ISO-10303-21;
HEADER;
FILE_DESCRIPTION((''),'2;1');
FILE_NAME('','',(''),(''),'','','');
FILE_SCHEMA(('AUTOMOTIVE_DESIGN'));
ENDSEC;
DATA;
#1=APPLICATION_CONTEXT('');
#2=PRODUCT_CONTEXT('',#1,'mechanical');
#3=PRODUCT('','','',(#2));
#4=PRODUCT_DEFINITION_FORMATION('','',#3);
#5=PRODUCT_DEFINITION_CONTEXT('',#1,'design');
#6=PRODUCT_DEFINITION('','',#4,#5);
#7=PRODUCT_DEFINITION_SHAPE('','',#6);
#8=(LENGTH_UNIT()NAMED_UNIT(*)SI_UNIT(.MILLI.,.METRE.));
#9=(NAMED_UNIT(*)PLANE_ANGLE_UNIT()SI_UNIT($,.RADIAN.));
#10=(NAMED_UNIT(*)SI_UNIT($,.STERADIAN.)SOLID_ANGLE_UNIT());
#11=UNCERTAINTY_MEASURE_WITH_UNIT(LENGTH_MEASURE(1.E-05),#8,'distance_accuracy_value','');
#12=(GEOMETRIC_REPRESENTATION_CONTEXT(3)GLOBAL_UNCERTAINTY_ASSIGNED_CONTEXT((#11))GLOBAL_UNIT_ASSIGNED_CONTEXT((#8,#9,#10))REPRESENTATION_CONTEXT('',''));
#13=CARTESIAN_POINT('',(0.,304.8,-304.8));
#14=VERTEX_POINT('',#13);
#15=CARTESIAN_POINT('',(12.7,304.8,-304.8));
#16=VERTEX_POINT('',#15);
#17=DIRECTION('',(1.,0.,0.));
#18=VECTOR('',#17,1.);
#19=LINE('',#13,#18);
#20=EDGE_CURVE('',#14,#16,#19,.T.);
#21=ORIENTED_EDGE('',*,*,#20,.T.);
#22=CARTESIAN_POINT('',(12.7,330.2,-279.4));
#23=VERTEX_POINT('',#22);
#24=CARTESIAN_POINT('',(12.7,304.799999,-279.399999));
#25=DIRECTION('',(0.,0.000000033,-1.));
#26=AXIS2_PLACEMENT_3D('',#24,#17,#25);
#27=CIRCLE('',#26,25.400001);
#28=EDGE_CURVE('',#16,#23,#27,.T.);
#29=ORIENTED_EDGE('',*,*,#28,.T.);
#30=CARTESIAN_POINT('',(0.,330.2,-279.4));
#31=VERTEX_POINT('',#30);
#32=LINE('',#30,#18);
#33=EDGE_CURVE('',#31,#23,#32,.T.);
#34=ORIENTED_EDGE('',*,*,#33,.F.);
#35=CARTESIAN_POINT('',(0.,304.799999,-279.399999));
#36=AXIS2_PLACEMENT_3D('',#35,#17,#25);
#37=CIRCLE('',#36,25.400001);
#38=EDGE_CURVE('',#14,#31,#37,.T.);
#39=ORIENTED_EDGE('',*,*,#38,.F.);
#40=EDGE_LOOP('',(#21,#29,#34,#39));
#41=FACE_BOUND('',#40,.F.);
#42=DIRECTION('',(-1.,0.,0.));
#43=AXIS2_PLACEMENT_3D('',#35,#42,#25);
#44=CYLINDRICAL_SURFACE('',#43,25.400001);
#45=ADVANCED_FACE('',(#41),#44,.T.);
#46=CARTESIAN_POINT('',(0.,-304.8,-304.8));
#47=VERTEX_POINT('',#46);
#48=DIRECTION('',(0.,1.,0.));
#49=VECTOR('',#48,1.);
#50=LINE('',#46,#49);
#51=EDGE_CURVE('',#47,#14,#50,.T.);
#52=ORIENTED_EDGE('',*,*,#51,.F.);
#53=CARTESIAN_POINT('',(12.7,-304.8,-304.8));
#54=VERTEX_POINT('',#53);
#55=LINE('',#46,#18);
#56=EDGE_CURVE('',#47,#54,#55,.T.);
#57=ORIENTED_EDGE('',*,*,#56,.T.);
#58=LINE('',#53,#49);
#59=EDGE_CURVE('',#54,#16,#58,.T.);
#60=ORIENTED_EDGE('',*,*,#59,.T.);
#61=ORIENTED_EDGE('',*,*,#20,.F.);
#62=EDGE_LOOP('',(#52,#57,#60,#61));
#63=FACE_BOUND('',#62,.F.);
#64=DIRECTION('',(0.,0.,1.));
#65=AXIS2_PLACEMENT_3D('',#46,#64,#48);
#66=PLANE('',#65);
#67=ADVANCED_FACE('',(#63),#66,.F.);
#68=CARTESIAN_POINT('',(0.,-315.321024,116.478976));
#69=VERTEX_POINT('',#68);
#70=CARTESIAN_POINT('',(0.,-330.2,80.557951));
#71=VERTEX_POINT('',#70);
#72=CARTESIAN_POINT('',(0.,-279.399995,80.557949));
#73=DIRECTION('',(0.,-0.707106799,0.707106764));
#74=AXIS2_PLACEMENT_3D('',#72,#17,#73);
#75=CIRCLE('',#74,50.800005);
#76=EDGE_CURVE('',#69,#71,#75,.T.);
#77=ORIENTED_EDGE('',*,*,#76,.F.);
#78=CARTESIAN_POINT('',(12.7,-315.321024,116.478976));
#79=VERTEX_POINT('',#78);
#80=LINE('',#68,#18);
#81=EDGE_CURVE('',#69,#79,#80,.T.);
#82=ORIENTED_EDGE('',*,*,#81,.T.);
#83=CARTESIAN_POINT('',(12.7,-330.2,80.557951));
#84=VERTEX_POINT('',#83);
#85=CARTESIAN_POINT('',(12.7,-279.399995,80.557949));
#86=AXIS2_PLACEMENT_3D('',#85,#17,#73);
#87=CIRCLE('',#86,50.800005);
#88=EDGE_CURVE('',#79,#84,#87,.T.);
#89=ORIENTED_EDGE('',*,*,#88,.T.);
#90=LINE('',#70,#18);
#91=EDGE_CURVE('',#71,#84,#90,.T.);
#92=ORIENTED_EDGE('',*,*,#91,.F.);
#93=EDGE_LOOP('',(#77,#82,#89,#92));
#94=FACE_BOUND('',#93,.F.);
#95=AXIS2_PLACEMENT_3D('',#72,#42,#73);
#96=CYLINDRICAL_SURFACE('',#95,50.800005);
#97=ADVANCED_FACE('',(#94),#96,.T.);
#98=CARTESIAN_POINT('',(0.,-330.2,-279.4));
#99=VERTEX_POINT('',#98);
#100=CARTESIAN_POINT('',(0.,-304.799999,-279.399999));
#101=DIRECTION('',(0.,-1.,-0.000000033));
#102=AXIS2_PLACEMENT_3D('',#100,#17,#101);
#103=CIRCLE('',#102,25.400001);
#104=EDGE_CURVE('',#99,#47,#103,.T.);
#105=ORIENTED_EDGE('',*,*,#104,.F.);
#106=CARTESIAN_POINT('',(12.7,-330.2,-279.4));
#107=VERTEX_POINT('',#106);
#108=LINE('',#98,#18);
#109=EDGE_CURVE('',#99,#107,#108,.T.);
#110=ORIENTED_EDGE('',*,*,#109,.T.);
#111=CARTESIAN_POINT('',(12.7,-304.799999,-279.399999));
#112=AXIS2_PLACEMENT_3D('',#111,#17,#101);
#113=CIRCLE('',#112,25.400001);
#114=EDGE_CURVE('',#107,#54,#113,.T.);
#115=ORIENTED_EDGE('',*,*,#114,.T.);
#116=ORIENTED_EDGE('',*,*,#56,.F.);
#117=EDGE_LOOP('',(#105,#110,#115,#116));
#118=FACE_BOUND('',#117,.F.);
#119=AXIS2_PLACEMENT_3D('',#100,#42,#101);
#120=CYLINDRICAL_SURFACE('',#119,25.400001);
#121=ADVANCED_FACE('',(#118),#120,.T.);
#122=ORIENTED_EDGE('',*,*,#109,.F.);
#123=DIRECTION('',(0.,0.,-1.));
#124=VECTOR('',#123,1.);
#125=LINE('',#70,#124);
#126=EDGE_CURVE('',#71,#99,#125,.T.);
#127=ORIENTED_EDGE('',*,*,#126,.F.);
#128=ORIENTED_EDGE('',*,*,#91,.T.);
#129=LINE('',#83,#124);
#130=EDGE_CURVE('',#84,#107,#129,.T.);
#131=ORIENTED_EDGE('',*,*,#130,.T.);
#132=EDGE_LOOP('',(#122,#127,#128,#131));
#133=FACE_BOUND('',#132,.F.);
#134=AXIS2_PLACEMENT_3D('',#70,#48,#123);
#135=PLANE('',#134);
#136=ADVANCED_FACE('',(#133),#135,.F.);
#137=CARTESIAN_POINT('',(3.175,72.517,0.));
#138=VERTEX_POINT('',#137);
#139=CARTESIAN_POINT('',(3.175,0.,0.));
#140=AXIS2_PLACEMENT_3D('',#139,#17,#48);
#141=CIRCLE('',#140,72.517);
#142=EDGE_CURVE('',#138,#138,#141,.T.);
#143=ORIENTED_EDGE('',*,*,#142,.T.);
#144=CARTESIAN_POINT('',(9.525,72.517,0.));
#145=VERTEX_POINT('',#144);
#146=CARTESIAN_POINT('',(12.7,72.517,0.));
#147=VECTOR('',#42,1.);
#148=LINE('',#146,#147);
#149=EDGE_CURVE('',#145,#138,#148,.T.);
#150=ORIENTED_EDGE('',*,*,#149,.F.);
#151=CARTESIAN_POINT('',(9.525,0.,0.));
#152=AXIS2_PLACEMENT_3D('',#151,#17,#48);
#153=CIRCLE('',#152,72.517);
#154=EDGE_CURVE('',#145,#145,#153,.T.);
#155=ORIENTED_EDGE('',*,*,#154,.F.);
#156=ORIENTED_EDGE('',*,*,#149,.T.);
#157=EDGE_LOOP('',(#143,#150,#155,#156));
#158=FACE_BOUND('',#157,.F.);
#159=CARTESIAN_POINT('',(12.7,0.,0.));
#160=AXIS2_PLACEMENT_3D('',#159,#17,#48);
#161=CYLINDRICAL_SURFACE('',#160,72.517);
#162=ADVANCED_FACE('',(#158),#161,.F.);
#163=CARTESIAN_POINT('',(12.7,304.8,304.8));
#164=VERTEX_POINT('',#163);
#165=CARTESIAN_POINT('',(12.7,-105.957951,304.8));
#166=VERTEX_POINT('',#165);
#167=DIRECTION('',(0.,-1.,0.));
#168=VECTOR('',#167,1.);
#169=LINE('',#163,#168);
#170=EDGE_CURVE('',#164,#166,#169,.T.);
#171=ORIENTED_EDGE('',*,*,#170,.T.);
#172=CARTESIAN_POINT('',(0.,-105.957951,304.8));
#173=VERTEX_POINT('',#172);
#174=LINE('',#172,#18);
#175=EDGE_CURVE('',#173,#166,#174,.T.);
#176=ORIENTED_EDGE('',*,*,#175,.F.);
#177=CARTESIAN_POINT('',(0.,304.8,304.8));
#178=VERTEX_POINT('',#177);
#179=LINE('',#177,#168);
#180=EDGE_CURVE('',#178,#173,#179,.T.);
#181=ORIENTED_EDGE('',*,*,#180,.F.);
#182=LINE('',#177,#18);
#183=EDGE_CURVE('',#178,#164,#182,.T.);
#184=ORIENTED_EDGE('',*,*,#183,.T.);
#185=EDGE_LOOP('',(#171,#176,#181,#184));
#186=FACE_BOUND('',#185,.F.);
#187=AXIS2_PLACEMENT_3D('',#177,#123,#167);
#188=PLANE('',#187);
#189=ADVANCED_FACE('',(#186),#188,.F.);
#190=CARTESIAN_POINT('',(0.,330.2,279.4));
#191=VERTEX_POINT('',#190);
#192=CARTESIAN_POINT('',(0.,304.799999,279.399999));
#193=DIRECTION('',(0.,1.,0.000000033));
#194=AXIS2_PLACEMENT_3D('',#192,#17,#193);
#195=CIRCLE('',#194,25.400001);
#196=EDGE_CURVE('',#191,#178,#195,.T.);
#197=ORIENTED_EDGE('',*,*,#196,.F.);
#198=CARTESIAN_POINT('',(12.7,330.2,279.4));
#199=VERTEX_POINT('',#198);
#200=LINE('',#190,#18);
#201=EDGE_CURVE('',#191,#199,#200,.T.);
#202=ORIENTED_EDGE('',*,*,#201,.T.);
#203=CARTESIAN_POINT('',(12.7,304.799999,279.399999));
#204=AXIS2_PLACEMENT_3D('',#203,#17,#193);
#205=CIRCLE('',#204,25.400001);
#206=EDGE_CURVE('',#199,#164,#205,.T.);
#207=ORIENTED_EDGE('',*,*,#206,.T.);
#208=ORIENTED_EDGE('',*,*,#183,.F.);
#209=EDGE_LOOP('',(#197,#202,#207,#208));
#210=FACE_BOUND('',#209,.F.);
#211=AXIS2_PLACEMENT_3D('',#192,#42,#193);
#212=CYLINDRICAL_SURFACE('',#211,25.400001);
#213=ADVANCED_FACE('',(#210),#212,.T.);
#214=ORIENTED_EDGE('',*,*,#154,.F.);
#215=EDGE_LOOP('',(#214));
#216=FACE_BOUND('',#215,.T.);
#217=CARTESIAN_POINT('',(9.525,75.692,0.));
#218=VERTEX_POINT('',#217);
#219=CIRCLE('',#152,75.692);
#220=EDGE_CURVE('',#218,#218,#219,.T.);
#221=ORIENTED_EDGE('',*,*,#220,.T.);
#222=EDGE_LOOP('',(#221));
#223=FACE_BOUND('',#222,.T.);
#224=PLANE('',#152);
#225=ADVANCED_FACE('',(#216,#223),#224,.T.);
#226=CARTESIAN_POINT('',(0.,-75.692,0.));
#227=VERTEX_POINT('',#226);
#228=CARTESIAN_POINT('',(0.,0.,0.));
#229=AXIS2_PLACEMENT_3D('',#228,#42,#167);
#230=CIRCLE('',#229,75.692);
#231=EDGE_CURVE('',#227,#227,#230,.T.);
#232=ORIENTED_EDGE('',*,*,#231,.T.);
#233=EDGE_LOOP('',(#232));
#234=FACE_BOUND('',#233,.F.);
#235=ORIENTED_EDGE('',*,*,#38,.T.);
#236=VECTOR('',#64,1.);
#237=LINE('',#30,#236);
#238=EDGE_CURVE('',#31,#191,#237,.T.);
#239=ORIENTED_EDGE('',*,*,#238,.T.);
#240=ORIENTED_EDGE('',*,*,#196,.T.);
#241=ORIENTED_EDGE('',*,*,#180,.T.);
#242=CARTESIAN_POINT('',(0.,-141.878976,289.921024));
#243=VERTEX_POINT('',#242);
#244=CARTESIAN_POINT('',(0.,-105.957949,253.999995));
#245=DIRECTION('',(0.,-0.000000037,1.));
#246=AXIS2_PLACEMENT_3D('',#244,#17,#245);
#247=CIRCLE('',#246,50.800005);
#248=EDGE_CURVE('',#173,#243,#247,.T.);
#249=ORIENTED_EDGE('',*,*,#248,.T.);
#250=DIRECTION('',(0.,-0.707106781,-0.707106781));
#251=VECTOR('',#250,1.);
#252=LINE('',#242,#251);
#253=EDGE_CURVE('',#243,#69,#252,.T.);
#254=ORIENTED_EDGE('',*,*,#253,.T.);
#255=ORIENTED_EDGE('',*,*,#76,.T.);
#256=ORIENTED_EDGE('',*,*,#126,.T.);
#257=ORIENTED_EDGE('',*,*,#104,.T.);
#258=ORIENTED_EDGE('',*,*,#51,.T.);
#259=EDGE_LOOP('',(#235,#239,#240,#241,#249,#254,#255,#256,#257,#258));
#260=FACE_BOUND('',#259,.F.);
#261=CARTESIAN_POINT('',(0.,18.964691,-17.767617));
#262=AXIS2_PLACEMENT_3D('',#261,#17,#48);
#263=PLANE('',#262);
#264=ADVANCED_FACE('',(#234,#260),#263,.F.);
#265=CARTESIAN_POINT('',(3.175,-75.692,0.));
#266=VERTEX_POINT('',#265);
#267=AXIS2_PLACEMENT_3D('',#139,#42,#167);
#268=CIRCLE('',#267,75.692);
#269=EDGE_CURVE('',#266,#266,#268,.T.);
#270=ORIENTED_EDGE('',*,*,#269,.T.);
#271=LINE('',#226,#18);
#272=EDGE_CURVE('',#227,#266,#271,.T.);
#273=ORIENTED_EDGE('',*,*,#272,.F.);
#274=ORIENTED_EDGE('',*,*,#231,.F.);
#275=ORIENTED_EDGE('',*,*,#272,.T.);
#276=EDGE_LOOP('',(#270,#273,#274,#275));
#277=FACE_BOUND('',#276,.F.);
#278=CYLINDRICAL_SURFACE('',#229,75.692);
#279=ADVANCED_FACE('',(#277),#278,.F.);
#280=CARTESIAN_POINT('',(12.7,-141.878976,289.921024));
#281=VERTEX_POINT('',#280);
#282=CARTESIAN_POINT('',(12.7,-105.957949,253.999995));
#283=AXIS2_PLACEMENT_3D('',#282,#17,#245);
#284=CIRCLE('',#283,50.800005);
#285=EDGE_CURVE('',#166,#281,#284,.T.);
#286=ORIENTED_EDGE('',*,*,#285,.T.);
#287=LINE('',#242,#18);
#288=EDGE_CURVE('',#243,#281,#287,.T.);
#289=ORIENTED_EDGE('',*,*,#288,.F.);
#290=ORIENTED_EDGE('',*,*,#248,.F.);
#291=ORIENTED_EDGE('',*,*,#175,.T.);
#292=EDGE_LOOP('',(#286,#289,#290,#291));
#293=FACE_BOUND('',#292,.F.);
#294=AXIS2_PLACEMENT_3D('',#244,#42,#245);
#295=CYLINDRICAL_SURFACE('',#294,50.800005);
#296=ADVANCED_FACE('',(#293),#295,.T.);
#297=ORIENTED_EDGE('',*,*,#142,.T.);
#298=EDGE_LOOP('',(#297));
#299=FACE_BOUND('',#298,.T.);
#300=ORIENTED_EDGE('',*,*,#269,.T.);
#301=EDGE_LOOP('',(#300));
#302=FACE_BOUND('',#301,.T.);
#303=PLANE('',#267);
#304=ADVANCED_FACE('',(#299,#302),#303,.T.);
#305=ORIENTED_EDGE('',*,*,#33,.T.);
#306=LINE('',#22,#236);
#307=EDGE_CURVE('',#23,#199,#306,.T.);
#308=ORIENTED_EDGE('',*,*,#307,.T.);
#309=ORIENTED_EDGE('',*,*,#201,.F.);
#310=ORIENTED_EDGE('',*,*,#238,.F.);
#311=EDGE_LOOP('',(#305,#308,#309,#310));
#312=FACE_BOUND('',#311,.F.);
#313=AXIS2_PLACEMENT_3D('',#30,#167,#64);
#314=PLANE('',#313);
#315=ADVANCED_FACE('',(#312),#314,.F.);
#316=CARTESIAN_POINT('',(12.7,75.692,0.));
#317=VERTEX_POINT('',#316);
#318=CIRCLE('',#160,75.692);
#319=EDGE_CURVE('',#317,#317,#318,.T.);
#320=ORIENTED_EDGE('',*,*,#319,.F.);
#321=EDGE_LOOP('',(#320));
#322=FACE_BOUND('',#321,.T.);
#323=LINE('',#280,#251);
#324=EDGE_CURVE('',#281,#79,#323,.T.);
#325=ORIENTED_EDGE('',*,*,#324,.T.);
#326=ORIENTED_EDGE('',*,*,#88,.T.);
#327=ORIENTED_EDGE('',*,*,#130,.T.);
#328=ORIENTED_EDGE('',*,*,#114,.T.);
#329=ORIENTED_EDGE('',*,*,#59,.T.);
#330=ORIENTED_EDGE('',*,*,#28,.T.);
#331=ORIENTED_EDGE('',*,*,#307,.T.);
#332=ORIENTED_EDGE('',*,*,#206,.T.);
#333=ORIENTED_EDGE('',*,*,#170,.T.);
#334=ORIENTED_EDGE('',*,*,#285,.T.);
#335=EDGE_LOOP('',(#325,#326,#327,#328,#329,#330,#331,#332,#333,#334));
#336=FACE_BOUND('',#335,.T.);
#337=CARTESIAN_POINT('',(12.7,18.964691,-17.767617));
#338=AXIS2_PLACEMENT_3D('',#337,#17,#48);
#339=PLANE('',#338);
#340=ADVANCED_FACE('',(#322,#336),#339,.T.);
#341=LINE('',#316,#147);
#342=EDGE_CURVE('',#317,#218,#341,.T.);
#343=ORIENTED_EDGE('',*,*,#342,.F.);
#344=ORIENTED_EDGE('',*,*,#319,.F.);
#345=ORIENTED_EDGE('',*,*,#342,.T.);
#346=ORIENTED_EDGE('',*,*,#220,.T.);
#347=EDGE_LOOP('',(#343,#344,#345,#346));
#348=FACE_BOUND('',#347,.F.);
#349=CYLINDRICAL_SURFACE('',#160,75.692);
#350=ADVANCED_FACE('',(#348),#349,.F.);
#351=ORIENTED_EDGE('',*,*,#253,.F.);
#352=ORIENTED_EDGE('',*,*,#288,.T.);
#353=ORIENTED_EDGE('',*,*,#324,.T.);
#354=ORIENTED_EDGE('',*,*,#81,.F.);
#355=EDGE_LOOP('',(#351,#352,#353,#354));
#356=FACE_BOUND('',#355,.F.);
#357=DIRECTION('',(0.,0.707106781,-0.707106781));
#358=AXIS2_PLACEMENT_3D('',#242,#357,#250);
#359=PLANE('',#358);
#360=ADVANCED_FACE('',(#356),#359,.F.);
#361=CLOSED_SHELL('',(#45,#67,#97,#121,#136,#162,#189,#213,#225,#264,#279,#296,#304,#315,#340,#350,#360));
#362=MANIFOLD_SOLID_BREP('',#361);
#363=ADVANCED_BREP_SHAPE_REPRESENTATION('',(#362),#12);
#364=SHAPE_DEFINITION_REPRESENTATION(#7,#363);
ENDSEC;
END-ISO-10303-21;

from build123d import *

# Parameters (mm, degrees)
F1_DEPTH = 12.7
F2_R     = 72.517
F3_DEPTH = 12.701
F4_R     = 75.692
F5_DEPTH = 3.175
F6_R     = 75.692
F7_DEPTH = 3.175


with BuildPart() as f1:
    # F0 (on Right) → F1 (new body)
    with BuildSketch(Plane.YZ):
        with BuildLine():
            ThreePointArc((330.2, 279.4), (322.760512, 297.360512), (304.8, 304.8))
            Line((304.8, 304.8), (-105.957951, 304.8))
            ThreePointArc((-105.957951, 304.8), (-125.398269, 300.93308), (-141.878976, 289.921024))
            Line((-141.878976, 289.921024), (-315.321024, 116.478976))
            ThreePointArc((-315.321024, 116.478976), (-326.33308, 99.998269), (-330.2, 80.557951))
            Line((-330.2, 80.557951), (-330.2, -279.4))
            ThreePointArc((-330.2, -279.4), (-322.760512, -297.360512), (-304.8, -304.8))
            Line((-304.8, -304.8), (304.8, -304.8))
            ThreePointArc((304.8, -304.8), (322.760512, -297.360512), (330.2, -279.4))
            Line((330.2, -279.4), (330.2, 279.4))
        make_face()
    extrude(amount=F1_DEPTH)

    # F2 (on face) → F3 (cut, through all)
    with BuildSketch(Plane.YZ.offset(12.7)):
        Circle(F2_R)
    extrude(amount=-F3_DEPTH, mode=Mode.SUBTRACT)

    # F4 (on face) → F5 (cut)
    with BuildSketch(Plane.YZ.offset(12.7)):
        Circle(F4_R)
    extrude(amount=-F5_DEPTH, mode=Mode.SUBTRACT)

    # F6 (on face) → F7 (cut)
    with BuildSketch(Plane(origin=(0, 0, 0), x_dir=(0, -1, 0), z_dir=(-1, 0, 0))):
        Circle(F6_R)
    extrude(amount=-F7_DEPTH, mode=Mode.SUBTRACT)


solid = f1.part
